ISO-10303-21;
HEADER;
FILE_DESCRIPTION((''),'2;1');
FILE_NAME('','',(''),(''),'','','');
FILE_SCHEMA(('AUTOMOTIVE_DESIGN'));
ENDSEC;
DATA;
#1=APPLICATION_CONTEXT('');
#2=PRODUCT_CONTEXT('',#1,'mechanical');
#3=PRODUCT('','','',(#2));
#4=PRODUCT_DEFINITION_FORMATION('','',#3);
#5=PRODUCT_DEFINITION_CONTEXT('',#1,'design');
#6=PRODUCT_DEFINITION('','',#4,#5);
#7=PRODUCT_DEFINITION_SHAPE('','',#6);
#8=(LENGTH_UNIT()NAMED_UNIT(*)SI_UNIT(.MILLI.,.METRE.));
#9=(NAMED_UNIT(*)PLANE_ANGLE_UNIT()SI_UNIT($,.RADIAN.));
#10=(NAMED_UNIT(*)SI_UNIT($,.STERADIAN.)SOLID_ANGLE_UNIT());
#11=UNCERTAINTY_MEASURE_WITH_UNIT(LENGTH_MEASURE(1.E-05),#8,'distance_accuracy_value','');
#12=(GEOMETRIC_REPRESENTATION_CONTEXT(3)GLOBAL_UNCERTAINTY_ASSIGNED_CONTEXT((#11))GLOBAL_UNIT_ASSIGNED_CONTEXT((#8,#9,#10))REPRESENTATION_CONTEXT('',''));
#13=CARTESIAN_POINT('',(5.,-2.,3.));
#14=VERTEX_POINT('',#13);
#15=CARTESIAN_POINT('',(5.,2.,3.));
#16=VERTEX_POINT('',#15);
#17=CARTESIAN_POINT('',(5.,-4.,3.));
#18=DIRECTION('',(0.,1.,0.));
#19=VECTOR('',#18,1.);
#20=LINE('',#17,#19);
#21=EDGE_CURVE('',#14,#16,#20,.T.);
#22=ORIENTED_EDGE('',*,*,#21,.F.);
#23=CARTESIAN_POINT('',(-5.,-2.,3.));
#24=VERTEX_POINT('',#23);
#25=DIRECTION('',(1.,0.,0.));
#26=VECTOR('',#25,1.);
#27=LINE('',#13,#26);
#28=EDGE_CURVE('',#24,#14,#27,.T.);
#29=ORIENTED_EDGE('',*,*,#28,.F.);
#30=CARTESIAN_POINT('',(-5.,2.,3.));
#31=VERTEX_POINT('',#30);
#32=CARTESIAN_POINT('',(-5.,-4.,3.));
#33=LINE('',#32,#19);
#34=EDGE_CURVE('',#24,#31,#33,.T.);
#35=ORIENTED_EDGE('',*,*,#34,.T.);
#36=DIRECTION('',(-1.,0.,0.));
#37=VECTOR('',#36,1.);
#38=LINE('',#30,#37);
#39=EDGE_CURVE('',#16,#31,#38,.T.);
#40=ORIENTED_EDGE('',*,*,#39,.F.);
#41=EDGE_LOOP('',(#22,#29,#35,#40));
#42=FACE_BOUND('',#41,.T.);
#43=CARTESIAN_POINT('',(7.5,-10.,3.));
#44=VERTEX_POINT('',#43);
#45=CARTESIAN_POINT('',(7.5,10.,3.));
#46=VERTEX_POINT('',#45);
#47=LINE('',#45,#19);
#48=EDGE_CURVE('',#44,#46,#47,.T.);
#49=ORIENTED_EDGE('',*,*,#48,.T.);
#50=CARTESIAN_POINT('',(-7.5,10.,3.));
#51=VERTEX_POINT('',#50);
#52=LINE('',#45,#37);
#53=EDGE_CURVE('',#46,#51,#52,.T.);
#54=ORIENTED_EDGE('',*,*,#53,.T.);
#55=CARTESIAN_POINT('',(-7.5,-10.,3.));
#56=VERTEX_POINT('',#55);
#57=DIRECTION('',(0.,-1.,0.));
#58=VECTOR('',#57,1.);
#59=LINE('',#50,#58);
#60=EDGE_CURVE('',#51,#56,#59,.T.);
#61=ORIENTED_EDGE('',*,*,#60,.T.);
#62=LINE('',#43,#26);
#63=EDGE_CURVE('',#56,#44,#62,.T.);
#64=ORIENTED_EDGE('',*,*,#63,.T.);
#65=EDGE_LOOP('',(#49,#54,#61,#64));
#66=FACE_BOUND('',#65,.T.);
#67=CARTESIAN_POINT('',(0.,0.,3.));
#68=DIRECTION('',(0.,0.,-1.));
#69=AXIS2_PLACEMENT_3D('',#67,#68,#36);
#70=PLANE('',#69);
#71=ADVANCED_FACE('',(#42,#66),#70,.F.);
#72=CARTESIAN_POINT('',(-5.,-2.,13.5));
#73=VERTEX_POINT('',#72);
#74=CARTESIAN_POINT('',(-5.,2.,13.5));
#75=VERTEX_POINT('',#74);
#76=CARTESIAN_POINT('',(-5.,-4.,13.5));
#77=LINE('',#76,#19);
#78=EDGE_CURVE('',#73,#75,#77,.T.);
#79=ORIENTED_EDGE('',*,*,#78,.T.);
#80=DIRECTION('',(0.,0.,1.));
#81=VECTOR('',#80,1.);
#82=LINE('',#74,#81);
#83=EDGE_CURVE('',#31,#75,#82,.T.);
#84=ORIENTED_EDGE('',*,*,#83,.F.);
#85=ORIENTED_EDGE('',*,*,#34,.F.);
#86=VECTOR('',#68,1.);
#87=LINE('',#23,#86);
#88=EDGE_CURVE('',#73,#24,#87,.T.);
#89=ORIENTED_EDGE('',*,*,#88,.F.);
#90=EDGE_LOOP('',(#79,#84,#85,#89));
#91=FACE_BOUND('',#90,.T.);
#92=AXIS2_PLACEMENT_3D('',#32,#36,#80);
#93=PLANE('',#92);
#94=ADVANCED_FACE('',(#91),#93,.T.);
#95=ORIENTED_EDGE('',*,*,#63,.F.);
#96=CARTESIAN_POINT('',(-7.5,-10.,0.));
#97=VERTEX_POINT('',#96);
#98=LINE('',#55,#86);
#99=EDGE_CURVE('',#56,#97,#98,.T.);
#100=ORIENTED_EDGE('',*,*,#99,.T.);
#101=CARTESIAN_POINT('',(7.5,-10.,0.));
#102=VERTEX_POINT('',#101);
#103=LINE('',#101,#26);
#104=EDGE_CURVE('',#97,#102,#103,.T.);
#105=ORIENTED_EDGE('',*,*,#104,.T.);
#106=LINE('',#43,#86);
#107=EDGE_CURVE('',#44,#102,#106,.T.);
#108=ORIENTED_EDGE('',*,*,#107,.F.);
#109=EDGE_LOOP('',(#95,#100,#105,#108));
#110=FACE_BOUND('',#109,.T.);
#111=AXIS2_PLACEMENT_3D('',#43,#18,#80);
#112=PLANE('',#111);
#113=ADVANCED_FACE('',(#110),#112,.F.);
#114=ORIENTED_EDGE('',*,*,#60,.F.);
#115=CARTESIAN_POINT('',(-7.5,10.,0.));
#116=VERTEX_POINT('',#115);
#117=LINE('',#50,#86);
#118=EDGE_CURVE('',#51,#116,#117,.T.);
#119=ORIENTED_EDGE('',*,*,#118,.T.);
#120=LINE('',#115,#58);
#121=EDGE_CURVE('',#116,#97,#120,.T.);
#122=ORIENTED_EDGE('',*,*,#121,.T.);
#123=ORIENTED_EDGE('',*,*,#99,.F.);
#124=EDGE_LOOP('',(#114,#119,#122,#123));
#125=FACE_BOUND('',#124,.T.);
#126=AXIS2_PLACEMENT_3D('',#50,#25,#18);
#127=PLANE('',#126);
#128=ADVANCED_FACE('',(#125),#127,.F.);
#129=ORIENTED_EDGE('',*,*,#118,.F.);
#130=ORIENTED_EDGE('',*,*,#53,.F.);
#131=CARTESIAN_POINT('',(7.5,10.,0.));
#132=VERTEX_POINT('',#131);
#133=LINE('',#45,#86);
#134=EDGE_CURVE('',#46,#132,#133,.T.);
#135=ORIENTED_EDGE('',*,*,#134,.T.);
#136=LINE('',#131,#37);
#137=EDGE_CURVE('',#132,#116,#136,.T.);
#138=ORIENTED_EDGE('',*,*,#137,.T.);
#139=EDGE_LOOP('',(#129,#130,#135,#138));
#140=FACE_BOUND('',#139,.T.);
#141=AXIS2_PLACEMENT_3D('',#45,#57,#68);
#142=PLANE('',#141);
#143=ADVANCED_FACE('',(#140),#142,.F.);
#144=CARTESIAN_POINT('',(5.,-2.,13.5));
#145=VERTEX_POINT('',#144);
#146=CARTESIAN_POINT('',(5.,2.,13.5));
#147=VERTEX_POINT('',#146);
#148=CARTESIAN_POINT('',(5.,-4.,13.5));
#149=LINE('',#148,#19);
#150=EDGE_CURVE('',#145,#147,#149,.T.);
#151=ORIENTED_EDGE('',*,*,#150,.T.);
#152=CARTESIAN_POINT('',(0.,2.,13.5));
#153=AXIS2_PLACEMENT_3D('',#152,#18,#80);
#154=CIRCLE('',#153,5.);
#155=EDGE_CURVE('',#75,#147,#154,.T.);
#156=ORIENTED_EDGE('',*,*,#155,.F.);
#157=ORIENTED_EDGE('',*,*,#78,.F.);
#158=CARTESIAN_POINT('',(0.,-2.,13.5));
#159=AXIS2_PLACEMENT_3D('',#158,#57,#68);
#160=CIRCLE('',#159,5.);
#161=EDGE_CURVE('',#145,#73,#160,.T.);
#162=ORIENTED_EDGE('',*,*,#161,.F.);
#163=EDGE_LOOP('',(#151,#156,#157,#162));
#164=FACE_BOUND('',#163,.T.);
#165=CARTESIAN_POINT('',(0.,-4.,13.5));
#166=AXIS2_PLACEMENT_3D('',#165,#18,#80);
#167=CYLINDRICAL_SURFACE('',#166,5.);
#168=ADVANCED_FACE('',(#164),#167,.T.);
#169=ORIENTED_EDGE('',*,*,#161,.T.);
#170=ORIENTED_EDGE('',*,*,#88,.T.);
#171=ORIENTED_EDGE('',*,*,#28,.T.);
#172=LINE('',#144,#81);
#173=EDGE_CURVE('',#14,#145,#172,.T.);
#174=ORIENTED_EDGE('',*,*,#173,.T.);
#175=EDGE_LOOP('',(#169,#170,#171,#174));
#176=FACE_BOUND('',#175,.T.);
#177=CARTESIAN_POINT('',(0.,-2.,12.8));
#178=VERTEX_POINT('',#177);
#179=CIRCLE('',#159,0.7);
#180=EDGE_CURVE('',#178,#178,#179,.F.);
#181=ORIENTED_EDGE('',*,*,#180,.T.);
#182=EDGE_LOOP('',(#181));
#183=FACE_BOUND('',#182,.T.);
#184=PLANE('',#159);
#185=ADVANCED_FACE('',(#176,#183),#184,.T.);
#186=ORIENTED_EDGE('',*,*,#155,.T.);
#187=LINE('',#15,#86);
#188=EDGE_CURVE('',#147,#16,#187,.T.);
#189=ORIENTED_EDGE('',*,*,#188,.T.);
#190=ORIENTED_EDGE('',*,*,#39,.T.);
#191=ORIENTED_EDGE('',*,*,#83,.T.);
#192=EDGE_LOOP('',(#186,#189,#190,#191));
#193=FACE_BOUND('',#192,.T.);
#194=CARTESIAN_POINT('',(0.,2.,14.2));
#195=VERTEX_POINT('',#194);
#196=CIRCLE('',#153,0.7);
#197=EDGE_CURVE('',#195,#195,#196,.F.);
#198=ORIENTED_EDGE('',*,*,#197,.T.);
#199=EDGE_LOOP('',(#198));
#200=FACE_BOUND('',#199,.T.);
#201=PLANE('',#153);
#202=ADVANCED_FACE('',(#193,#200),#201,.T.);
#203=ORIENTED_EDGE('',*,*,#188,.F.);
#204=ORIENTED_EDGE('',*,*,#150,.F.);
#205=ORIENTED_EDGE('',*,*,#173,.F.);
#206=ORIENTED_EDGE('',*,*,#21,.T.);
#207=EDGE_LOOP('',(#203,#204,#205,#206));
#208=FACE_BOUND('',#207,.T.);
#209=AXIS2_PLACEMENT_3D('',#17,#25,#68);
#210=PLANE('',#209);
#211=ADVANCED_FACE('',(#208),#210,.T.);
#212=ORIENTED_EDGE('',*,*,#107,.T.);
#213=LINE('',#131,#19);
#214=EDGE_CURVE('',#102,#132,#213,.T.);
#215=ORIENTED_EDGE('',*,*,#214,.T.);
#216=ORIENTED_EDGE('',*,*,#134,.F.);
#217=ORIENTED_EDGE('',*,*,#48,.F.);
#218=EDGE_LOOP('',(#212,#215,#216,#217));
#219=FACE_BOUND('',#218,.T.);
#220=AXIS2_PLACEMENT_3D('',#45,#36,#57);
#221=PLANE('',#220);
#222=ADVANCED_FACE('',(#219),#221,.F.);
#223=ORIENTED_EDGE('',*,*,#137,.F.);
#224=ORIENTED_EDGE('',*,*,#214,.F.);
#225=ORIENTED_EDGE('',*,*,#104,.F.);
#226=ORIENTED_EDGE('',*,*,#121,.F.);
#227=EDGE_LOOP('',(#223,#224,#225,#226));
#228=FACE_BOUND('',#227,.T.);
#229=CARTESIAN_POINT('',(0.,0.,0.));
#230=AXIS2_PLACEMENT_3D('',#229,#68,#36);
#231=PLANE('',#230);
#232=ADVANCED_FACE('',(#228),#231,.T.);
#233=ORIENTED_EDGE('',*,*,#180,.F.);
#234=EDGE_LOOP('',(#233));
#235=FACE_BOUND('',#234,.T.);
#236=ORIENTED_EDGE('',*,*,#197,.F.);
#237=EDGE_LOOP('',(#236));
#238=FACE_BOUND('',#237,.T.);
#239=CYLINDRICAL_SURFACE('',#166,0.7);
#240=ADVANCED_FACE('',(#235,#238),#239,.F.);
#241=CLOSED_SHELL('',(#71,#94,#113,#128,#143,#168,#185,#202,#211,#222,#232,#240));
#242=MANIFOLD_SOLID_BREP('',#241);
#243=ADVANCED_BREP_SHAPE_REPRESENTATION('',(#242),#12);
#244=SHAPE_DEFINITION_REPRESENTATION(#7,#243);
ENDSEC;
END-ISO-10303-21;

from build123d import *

# Parameters (mm, degrees)
SKETCH1_W           = 15
SKETCH1_H           = 20
BOSS_EXTRUDE1_DEPTH = 3
SKETCH2_R           = 0.7
BOSS_EXTRUDE2_DEPTH = 14
SKETCH2_2_R         = 0.7
CUT_EXTRUDE1_DEPTH  = 6
CUT_EXTRUDE2_START  = -2
CUT_EXTRUDE2_DEPTH  = 2
CUT_EXTRUDE3_DEPTH  = 2


with BuildPart() as part:
    # Sketch1 → Boss-Extrude1 (new body)
    with BuildSketch(Plane.XY):
        Rectangle(SKETCH1_W, SKETCH1_H)
    extrude(amount=BOSS_EXTRUDE1_DEPTH)

    # Sketch2 → Boss-Extrude2 (add)
    with BuildSketch(Plane(origin=(0, 10, 0), x_dir=(1, 0, 0), z_dir=(0, 1, 0))):
        with BuildLine():
            Line((-5, -3), (-5, -13.5))
            ThreePointArc((-5, -13.5), (0, -18.5), (5, -13.5))
            Line((5, -13.5), (5, -3))
            Line((5, -3), (-5, -3))
        make_face()
        with Locations((0, -13.5)):
            Circle(SKETCH2_R, mode=Mode.SUBTRACT)
    extrude(amount=-BOSS_EXTRUDE2_DEPTH)

    # Sketch2<2> → Cut-Extrude1 (cut)
    with BuildSketch(Plane(origin=(0, 10, 0), x_dir=(1, 0, 0), z_dir=(0, 1, 0))):
        with BuildLine():
            Line((-5, -3), (-5, -13.5))
            ThreePointArc((-5, -13.5), (0, -18.5), (5, -13.5))
            Line((5, -13.5), (5, -3))
            Line((5, -3), (-5, -3))
        make_face()
        with Locations((0, -13.5)):
            Circle(SKETCH2_2_R, mode=Mode.SUBTRACT)
    extrude(amount=-CUT_EXTRUDE1_DEPTH, mode=Mode.SUBTRACT)

    # Sketch3 → Cut-Extrude2 (cut)
    with BuildSketch(Plane.XZ.offset(4).offset(CUT_EXTRUDE2_START)):
        with BuildLine():
            Line((5, 13.5), (5, 3))
            Line((5, 3), (-5, 3))
            Line((-5, 3), (-5, 13.5))
            ThreePointArc((-5, 13.5), (0, 18.5), (5, 13.5))
        make_face()
    extrude(amount=CUT_EXTRUDE2_DEPTH, mode=Mode.SUBTRACT)

    # Sketch4 → Cut-Extrude3 (cut)
    with BuildSketch(Plane(origin=(0, 4, 0), x_dir=(1, 0, 0), z_dir=(0, 1, 0))):
        with BuildLine():
            Line((-5, -13.5), (-5, -3))
            Line((-5, -3), (5, -3))
            Line((5, -3), (5, -13.5))
            ThreePointArc((5, -13.5), (0, -18.5), (-5, -13.5))
        make_face()
    extrude(amount=-CUT_EXTRUDE3_DEPTH, mode=Mode.SUBTRACT)


solid = part.part
